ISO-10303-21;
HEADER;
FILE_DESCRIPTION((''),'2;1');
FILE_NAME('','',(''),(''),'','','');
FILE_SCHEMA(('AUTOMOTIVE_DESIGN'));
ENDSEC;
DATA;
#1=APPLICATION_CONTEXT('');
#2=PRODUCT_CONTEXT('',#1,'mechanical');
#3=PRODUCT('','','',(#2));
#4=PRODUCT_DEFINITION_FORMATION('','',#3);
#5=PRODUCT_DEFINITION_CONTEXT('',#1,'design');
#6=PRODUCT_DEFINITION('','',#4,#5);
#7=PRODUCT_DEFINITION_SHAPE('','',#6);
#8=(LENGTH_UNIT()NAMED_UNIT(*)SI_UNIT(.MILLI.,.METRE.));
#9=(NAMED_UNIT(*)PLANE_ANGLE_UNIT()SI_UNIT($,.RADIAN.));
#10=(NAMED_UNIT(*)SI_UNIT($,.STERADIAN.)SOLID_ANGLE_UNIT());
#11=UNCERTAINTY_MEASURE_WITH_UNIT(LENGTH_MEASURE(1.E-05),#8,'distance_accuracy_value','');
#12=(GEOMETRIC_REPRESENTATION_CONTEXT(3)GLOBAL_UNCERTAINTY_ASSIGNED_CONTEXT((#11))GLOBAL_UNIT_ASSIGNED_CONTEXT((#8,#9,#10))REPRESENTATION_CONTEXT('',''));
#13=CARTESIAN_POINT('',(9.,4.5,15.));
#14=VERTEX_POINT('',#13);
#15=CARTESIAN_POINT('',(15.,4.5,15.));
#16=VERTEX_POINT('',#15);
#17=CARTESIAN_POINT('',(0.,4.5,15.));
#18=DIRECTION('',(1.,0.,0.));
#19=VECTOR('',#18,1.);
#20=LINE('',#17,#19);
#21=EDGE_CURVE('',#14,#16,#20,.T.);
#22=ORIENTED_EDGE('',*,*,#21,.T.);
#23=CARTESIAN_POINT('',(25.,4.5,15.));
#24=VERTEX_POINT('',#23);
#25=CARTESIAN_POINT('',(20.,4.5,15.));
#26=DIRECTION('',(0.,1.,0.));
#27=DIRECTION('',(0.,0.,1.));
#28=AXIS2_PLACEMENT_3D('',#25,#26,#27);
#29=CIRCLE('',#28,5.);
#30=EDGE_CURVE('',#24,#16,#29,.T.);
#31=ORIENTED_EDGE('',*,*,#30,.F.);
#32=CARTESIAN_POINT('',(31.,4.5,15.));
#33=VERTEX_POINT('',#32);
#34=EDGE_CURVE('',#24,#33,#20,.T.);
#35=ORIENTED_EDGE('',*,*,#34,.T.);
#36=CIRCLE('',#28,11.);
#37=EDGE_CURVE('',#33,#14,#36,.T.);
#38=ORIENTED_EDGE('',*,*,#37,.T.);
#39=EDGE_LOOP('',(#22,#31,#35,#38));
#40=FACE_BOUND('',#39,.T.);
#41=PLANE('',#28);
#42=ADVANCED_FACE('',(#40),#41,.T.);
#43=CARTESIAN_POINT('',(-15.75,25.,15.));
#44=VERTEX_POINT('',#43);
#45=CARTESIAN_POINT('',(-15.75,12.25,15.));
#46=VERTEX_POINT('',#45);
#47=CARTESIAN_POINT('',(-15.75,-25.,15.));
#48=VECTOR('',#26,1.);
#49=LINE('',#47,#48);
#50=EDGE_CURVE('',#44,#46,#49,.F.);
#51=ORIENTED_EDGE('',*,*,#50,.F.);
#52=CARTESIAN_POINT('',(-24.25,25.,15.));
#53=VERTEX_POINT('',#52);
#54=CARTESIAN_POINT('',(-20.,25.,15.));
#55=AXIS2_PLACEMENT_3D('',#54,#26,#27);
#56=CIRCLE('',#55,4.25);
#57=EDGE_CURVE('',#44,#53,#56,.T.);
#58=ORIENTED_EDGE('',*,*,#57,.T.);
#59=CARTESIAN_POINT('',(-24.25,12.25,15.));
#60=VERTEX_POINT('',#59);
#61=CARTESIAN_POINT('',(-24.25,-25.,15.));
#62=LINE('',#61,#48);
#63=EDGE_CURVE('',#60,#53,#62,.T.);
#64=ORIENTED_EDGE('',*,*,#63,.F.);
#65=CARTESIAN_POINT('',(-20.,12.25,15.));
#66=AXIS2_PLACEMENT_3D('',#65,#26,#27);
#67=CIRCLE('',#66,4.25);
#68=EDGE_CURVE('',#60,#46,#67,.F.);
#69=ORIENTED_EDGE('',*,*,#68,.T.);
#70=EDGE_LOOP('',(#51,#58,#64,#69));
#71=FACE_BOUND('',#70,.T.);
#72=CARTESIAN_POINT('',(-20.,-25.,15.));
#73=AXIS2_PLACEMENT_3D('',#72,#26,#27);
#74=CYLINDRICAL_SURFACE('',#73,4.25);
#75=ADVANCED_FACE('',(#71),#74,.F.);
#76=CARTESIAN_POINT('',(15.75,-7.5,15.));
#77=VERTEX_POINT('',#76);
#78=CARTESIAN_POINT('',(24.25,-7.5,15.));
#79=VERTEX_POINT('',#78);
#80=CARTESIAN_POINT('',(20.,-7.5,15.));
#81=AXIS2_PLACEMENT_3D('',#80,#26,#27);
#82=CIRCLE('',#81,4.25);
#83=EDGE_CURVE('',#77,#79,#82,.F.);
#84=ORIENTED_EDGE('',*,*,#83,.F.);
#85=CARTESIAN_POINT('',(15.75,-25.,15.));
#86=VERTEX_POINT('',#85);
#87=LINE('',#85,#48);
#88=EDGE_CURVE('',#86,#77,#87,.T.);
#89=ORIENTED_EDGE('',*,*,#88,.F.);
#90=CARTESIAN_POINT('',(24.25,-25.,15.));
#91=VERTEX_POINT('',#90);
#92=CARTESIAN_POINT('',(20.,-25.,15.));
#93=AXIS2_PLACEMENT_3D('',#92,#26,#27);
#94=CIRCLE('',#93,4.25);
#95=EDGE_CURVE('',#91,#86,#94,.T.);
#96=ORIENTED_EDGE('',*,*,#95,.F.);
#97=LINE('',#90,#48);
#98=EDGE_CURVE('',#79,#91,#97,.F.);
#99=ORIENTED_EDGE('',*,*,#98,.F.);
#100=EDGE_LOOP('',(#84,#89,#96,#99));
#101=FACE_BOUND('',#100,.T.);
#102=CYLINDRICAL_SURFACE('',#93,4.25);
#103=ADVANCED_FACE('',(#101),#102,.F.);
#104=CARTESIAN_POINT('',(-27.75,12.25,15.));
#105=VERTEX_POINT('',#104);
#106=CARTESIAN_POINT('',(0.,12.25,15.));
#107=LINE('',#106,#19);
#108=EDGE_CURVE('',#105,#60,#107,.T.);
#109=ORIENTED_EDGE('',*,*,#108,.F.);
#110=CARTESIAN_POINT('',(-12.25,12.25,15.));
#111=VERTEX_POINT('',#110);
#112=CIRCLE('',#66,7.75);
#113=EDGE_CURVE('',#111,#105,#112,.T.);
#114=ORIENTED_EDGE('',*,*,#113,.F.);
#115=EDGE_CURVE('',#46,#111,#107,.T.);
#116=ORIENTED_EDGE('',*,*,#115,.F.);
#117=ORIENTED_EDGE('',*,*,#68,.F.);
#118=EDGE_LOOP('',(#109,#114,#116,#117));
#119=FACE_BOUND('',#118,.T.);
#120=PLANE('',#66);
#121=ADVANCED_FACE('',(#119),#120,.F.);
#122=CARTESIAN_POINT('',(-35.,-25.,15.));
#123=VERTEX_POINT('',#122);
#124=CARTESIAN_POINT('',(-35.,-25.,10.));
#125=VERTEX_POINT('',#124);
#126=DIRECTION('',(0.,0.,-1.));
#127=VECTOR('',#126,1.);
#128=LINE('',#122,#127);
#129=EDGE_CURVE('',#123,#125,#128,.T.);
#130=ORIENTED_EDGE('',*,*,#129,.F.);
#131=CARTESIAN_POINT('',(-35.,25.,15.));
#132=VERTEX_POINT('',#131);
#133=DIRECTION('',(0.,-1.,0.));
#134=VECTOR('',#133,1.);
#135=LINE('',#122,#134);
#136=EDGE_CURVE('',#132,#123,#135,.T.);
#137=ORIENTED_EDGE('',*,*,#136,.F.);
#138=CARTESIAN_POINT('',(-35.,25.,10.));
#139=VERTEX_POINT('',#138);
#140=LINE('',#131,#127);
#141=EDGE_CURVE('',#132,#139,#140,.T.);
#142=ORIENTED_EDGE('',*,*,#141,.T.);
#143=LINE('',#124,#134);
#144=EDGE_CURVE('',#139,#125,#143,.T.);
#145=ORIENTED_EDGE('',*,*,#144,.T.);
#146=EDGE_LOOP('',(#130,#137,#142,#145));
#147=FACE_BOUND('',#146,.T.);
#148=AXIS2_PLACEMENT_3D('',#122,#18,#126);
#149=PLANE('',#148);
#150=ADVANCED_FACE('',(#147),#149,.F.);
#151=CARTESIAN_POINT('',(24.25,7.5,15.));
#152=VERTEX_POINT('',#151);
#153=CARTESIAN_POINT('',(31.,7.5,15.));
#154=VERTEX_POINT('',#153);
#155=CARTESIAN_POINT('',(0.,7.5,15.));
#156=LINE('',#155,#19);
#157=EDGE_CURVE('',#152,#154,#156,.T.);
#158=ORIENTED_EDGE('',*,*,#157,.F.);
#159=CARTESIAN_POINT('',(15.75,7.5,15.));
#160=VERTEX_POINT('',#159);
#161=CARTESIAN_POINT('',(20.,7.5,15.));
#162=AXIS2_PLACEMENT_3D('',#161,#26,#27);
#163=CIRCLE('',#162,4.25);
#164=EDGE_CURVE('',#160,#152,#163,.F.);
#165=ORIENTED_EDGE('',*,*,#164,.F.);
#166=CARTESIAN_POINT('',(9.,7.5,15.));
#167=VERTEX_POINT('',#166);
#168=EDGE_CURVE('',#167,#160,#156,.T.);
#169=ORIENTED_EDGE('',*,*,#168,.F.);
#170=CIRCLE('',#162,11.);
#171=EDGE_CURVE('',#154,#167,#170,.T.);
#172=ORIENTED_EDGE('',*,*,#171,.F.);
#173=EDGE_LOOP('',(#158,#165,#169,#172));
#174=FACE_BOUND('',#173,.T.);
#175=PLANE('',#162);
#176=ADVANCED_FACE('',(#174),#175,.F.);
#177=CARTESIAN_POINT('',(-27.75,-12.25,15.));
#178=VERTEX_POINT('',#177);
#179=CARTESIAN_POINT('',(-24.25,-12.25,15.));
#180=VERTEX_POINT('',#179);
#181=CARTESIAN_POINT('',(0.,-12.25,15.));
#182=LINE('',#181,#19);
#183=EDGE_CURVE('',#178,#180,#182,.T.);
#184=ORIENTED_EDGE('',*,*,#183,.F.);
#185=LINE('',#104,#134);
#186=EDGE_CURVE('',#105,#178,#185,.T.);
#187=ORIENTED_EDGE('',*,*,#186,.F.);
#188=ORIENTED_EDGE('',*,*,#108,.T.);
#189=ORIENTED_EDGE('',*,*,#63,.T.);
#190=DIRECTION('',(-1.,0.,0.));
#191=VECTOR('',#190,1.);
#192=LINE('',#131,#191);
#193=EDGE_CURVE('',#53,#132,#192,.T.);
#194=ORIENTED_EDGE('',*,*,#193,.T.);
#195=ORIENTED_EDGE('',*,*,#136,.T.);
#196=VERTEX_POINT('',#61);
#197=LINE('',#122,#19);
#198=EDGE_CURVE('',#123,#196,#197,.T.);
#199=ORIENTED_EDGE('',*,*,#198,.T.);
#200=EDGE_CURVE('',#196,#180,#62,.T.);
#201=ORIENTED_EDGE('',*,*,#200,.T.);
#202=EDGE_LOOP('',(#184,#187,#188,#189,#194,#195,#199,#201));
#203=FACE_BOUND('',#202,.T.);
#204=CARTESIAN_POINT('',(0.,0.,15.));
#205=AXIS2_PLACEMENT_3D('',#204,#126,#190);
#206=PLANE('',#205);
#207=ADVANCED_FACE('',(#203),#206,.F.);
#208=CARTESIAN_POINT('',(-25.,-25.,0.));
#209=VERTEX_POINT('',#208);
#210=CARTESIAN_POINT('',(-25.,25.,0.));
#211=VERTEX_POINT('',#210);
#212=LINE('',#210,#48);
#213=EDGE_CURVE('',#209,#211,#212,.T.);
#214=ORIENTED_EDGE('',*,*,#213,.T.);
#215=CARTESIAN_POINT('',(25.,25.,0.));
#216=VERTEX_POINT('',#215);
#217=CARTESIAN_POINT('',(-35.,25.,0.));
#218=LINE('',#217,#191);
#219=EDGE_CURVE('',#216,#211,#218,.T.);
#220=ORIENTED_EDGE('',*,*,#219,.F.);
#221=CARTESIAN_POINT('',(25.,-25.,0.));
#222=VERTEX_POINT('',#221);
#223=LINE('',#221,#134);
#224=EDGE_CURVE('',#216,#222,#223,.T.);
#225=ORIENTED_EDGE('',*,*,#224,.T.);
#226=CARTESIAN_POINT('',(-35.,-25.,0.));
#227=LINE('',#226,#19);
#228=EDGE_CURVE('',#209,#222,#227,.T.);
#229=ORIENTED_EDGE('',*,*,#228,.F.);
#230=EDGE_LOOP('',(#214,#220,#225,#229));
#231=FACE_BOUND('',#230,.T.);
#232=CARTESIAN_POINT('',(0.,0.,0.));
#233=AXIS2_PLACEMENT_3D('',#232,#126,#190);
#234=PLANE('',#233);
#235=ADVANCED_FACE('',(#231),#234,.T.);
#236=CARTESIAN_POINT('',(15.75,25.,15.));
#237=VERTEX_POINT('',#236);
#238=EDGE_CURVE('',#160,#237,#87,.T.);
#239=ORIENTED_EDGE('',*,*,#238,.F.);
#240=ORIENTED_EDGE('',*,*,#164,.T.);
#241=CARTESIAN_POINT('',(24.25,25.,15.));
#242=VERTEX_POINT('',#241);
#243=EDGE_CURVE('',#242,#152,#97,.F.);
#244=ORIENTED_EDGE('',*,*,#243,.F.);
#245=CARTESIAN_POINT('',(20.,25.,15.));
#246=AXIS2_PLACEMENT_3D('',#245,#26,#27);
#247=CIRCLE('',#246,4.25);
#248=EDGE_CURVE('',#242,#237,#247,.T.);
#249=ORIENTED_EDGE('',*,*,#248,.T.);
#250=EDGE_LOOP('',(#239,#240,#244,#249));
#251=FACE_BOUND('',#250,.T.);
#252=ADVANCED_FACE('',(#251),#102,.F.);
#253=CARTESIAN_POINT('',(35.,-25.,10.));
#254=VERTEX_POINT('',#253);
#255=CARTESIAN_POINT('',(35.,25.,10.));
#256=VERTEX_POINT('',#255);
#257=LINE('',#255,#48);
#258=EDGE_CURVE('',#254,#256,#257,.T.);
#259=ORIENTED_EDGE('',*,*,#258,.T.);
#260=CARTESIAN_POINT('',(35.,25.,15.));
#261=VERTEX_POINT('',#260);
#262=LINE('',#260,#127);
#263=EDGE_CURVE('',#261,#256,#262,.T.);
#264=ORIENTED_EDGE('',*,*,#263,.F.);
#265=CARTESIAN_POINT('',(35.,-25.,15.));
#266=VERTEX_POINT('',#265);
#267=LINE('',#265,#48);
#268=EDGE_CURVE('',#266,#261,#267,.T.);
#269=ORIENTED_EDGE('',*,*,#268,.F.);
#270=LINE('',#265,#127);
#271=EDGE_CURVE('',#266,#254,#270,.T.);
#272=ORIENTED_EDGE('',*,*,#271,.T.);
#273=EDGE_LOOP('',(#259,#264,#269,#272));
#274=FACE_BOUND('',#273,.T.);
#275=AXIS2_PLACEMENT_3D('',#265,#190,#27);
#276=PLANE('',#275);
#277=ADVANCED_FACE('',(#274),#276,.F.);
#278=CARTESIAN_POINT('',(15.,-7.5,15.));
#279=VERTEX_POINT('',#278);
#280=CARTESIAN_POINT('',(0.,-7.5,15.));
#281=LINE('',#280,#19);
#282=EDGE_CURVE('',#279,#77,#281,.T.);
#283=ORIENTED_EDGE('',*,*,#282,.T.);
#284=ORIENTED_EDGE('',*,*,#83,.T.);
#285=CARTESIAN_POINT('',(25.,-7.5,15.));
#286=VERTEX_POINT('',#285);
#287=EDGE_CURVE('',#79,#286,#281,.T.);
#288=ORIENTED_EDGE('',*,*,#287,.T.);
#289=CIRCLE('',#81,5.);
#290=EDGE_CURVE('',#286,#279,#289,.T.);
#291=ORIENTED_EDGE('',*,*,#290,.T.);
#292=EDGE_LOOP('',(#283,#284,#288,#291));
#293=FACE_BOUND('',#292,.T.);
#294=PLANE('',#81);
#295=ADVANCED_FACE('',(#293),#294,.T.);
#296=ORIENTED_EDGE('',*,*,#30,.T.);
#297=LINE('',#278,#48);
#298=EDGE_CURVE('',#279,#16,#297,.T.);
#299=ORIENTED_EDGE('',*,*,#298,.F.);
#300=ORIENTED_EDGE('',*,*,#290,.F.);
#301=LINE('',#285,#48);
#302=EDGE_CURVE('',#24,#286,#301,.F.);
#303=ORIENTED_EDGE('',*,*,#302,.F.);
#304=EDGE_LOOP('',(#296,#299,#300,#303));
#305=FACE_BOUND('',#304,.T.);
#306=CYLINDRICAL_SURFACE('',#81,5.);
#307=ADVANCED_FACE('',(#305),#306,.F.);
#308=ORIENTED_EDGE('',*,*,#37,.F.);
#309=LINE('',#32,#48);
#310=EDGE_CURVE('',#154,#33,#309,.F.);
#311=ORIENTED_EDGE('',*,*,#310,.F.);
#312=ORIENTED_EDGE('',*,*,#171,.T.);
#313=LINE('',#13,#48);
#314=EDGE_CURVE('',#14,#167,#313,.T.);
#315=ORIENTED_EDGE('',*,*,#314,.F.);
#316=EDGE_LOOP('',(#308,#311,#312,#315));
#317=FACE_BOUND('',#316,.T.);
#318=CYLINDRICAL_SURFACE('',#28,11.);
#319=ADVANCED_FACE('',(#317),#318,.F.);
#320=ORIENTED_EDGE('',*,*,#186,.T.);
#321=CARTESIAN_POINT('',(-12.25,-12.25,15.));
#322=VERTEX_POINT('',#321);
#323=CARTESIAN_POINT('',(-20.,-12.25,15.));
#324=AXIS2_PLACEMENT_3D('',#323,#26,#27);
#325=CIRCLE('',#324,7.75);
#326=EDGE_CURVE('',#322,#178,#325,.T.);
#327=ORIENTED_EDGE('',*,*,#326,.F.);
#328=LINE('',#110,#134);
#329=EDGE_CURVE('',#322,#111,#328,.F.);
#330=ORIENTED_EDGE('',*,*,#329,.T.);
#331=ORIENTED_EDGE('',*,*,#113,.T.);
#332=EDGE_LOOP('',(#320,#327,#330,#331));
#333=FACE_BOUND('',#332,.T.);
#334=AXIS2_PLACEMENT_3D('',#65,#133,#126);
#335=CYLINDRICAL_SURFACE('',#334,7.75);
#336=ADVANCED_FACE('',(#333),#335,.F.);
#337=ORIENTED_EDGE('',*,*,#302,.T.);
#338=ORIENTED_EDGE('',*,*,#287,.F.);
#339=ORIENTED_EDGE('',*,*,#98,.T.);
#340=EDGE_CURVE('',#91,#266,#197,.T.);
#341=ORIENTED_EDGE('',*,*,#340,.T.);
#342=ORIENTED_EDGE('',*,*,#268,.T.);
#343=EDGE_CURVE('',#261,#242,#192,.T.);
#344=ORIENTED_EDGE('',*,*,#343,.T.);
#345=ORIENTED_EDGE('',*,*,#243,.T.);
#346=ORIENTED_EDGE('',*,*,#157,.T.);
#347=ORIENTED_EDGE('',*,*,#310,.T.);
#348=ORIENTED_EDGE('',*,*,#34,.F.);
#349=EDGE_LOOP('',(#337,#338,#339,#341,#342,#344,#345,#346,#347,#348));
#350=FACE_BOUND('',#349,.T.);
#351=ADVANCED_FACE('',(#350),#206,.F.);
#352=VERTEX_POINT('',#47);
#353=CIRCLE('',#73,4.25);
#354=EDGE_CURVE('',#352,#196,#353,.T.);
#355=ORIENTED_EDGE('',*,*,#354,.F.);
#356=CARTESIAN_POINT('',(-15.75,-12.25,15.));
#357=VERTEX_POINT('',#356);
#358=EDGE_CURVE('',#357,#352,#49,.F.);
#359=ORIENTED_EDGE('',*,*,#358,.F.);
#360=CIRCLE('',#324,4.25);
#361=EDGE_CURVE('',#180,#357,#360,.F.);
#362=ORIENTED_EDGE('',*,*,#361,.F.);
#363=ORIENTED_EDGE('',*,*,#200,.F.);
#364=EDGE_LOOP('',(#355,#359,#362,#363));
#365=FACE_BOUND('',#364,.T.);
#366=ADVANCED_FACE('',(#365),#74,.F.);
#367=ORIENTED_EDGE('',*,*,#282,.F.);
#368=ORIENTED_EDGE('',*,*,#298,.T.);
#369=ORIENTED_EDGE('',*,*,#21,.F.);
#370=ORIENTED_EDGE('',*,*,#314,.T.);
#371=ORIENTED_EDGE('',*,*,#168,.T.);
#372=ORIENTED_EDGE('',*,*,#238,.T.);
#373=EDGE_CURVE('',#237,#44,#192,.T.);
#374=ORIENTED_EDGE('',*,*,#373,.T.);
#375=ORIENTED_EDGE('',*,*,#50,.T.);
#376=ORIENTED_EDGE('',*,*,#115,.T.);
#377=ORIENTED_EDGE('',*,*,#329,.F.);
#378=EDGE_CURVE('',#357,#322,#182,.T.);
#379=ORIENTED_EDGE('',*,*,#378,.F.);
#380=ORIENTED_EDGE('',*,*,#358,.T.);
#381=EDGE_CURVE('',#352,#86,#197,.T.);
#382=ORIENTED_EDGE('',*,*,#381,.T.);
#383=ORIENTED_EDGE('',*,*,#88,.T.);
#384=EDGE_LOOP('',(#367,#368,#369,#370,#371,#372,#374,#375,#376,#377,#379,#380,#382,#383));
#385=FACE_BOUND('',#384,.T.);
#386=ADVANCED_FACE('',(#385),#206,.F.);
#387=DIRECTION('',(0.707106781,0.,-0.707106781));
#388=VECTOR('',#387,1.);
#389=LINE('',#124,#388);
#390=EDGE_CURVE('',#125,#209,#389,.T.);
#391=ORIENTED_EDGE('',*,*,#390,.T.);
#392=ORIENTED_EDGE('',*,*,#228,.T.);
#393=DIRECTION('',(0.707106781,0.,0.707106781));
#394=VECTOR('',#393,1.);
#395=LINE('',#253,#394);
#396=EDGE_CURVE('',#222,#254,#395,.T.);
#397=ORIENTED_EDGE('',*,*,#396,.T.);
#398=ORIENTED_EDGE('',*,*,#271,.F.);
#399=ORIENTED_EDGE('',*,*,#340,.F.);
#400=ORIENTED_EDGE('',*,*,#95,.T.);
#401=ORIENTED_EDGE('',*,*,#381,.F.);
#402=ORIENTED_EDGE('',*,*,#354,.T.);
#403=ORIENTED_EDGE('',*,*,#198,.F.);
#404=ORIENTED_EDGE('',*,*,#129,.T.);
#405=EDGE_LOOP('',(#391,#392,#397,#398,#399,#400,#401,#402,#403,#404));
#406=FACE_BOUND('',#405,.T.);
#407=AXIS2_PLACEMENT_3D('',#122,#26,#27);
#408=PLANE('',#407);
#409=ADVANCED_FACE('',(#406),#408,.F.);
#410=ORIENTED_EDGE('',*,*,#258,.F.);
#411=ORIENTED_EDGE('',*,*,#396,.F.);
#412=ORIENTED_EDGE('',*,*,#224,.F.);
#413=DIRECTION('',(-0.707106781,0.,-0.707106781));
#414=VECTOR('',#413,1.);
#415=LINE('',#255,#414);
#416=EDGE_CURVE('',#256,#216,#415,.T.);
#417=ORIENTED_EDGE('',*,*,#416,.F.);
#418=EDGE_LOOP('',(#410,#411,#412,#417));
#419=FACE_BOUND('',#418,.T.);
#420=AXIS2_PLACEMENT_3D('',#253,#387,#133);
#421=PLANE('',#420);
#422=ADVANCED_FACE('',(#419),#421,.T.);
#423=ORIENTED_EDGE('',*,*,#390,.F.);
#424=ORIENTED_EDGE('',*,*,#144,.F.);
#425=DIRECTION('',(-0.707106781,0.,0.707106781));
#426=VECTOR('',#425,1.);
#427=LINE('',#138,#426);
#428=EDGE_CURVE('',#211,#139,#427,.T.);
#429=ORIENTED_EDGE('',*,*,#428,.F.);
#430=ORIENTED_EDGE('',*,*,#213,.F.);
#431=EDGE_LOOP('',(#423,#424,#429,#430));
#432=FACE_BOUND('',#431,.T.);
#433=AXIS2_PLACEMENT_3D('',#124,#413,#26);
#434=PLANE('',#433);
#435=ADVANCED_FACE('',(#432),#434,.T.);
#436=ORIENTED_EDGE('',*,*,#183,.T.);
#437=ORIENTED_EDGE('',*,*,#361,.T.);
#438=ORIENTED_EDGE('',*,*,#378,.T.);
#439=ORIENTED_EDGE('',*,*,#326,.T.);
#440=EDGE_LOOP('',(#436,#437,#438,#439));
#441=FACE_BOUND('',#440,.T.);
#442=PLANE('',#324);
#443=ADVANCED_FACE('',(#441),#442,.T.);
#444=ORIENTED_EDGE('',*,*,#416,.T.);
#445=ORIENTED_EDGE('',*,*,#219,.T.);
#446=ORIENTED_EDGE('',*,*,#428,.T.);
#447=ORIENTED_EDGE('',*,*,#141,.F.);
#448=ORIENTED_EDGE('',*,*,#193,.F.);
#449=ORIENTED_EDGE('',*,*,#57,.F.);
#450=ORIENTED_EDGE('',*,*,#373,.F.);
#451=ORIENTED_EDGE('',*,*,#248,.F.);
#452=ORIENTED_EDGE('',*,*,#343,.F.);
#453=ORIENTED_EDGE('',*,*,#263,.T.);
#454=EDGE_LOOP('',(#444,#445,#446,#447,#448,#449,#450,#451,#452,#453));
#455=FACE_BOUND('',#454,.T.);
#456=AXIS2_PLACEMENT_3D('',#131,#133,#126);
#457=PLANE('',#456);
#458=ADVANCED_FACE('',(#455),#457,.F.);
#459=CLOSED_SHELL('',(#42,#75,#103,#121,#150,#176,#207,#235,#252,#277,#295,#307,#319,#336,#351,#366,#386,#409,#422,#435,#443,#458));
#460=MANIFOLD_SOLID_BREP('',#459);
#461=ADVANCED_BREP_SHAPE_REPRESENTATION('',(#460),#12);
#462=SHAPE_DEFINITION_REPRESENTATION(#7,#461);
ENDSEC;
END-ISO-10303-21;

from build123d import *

# Parameters (mm, degrees)
ESQUISSE1_W                  = 70
ESQUISSE1_H                  = 50
BOSS_EXTRU_1_DEPTH           = 15
ESQUISSE2_R                  = 4.25
ENL_V_MAT_EXTRU_1_DEPTH      = 63.84902545
ENL_V_MAT_EXTRU_2_DEPTH      = 12.25
ENL_V_MAT_EXTRU_2_DEPTH_BACK = 12.25
ESQUISSE3_R                  = 7.75
ESQUISSE4_R                  = 11
ENL_V_MAT_EXTRU_3_DEPTH      = 3
ESQUISSE5_R                  = 5
ENL_V_MAT_EXTRU_4_DEPTH      = 15
CHANFREIN1_SIZE              = 10


with BuildPart() as part:
    # Esquisse1 → Boss.-Extru.1 (new body)
    with BuildSketch(Plane.XY):
        Rectangle(ESQUISSE1_W, ESQUISSE1_H)
    extrude(amount=BOSS_EXTRU_1_DEPTH)

    # Esquisse2 → Enlèv. mat.-Extru.1 (cut, through all)
    with BuildSketch(Plane(origin=(0, 25, 0), x_dir=(1, 0, 0), z_dir=(0, 1, 0))):
        with Locations((-20, -15)):
            Circle(ESQUISSE2_R)
        with Locations((20, -15)):
            Circle(ESQUISSE2_R)
    extrude(amount=-ENL_V_MAT_EXTRU_1_DEPTH, mode=Mode.SUBTRACT)

    # Esquisse3 → Enlèv. mat.-Extru.2 (cut, two sides: drawn at the far end of the back side and taken through both)
    with BuildSketch(Plane(origin=(0, 0, 0), x_dir=(1, 0, 0), z_dir=(0, 1, 0)).offset(-ENL_V_MAT_EXTRU_2_DEPTH_BACK)):
        with Locations((-20, -15)):
            Circle(ESQUISSE3_R)
    extrude(amount=ENL_V_MAT_EXTRU_2_DEPTH + ENL_V_MAT_EXTRU_2_DEPTH_BACK, mode=Mode.SUBTRACT)

    # Esquisse4 → Enlèv. mat.-Extru.3 (cut)
    with BuildSketch(Plane(origin=(0, 7.5, 0), x_dir=(1, 0, 0), z_dir=(0, 1, 0))):
        with Locations((20, -15)):
            Circle(ESQUISSE4_R)
    extrude(amount=-ENL_V_MAT_EXTRU_3_DEPTH, mode=Mode.SUBTRACT)

    # Esquisse5 → Enlèv. mat.-Extru.4 (cut)
    with BuildSketch(Plane(origin=(0, 7.5, 0), x_dir=(1, 0, 0), z_dir=(0, 1, 0))):
        with Locations((20, -15)):
            Circle(ESQUISSE5_R)
    extrude(amount=-ENL_V_MAT_EXTRU_4_DEPTH, mode=Mode.SUBTRACT)

    # Chanfrein1
    chanfrein1_edges = [part.edges().sort_by_distance(p)[0] for p in [
        (-35, 0, 0),
        (35, 0, 0),
    ]]
    chamfer(chanfrein1_edges, length=CHANFREIN1_SIZE)


solid = part.part
